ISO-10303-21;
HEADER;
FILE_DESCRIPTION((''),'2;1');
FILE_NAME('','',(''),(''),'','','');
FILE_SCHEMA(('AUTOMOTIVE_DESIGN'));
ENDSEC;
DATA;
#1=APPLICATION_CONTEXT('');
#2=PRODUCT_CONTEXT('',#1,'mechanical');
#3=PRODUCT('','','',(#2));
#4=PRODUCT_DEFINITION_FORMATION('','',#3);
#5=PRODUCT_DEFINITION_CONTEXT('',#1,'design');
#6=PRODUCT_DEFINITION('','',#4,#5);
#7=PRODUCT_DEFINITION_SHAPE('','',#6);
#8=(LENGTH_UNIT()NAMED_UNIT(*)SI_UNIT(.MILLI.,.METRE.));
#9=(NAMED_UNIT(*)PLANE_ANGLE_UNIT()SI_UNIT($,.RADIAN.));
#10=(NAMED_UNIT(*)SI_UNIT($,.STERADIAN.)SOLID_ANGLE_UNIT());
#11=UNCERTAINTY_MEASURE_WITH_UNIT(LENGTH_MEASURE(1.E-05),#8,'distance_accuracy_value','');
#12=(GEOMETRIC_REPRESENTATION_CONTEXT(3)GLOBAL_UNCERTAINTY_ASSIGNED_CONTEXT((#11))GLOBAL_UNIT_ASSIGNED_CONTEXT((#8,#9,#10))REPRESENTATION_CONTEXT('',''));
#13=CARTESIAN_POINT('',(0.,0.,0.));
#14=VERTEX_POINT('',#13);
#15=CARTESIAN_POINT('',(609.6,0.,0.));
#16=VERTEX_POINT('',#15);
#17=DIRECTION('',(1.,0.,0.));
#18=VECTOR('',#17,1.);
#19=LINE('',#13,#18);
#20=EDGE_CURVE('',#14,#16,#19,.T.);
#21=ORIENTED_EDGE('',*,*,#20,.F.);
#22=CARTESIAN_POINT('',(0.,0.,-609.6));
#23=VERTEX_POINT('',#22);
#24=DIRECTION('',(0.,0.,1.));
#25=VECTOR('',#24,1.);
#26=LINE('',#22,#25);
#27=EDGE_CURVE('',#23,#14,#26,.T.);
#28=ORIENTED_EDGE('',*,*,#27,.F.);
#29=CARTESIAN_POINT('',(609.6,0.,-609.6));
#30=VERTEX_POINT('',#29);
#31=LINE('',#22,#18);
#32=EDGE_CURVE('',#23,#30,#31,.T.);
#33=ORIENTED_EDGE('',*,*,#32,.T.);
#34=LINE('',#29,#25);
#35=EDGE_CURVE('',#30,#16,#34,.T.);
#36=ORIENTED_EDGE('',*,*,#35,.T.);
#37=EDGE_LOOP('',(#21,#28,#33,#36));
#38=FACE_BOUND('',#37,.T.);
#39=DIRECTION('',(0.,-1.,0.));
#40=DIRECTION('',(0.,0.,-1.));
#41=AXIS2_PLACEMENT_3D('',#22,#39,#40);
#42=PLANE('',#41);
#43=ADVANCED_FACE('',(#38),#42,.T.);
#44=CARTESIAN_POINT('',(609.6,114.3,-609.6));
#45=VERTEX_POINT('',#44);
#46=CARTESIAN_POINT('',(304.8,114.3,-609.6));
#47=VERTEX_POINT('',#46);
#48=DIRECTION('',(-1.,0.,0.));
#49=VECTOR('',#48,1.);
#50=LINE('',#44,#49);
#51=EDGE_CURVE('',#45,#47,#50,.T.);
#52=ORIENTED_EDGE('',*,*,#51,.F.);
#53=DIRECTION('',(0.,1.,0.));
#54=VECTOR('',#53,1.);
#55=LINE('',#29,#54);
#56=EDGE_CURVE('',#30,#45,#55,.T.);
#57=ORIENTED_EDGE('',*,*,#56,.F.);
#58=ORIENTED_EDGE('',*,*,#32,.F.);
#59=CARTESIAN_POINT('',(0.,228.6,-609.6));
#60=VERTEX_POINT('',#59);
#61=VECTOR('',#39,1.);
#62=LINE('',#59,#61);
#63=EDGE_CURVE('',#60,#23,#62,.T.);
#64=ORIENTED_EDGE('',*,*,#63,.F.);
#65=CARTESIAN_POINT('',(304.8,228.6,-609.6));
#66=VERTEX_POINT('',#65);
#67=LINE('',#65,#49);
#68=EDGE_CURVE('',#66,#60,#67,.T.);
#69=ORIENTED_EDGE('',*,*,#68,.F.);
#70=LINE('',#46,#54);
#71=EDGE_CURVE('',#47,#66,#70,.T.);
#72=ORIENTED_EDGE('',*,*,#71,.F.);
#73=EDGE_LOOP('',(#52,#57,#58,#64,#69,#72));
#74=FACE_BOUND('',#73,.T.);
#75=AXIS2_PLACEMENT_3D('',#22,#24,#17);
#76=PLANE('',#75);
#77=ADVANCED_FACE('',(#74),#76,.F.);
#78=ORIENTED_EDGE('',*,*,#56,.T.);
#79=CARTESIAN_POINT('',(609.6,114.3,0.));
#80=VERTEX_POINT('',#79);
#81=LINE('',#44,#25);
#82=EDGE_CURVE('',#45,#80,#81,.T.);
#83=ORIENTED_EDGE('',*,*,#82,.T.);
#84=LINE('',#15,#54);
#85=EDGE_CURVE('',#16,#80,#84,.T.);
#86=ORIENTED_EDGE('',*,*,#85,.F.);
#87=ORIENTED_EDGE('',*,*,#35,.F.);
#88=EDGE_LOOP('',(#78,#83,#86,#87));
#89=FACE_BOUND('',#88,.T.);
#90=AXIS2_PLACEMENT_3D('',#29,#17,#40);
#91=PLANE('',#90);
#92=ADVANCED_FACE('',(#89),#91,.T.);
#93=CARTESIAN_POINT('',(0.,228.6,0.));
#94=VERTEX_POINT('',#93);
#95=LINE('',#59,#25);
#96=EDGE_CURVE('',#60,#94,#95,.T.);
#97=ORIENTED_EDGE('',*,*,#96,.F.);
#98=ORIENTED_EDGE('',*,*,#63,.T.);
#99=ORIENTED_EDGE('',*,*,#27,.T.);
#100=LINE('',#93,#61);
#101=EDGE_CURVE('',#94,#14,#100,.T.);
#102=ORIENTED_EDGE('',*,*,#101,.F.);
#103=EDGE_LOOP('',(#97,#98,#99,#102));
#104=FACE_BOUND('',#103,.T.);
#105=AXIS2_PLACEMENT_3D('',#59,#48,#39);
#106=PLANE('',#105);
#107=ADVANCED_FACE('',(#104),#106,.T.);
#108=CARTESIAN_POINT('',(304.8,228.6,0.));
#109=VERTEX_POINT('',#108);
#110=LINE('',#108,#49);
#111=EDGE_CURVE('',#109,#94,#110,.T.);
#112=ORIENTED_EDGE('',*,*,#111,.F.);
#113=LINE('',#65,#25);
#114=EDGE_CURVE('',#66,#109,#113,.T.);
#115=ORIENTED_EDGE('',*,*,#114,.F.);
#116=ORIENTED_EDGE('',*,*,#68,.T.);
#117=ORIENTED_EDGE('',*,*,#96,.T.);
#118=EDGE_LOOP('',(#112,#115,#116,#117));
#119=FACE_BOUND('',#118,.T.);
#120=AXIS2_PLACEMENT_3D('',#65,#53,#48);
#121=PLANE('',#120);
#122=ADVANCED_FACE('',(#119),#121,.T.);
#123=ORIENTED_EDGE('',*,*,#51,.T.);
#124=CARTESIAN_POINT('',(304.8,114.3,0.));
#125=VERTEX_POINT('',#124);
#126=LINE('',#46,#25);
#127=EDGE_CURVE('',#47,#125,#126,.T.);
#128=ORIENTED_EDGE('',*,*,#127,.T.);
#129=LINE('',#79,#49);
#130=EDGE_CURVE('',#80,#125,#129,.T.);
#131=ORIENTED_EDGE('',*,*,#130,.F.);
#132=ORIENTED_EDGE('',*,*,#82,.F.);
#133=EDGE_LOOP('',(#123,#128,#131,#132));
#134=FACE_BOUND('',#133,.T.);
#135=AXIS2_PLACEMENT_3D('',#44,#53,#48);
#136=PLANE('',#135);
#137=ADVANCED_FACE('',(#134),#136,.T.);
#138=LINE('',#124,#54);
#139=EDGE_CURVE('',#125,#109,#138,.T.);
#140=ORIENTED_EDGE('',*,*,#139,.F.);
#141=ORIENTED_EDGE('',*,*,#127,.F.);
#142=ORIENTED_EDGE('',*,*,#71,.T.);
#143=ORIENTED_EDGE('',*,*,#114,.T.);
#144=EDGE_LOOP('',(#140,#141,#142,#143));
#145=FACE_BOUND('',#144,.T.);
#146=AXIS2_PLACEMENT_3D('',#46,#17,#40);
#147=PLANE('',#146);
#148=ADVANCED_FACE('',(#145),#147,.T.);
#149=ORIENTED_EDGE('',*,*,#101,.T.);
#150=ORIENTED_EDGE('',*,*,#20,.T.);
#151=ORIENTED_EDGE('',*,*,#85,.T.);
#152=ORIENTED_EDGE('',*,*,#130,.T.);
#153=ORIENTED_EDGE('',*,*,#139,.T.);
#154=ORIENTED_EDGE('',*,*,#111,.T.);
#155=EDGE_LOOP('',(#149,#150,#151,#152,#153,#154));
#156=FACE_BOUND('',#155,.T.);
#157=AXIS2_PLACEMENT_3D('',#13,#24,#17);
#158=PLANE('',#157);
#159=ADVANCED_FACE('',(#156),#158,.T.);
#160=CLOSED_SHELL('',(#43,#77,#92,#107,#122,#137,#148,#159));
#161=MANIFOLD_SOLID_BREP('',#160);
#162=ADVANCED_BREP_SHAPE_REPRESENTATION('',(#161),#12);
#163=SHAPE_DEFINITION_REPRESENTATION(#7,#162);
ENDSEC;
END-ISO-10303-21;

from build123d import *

# Parameters (mm, degrees)
BOSS_EXTRUDE1_DEPTH = 609.6


with BuildPart() as part:
    # Sketch1 → Boss-Extrude1 (new body)
    with BuildSketch(Plane.XY):
        Polygon((0, 0), (609.6, 0), (609.6, 114.3), (304.8, 114.3), (304.8, 228.6), (0, 228.6), align=None)
    extrude(amount=-BOSS_EXTRUDE1_DEPTH)


solid = part.part
